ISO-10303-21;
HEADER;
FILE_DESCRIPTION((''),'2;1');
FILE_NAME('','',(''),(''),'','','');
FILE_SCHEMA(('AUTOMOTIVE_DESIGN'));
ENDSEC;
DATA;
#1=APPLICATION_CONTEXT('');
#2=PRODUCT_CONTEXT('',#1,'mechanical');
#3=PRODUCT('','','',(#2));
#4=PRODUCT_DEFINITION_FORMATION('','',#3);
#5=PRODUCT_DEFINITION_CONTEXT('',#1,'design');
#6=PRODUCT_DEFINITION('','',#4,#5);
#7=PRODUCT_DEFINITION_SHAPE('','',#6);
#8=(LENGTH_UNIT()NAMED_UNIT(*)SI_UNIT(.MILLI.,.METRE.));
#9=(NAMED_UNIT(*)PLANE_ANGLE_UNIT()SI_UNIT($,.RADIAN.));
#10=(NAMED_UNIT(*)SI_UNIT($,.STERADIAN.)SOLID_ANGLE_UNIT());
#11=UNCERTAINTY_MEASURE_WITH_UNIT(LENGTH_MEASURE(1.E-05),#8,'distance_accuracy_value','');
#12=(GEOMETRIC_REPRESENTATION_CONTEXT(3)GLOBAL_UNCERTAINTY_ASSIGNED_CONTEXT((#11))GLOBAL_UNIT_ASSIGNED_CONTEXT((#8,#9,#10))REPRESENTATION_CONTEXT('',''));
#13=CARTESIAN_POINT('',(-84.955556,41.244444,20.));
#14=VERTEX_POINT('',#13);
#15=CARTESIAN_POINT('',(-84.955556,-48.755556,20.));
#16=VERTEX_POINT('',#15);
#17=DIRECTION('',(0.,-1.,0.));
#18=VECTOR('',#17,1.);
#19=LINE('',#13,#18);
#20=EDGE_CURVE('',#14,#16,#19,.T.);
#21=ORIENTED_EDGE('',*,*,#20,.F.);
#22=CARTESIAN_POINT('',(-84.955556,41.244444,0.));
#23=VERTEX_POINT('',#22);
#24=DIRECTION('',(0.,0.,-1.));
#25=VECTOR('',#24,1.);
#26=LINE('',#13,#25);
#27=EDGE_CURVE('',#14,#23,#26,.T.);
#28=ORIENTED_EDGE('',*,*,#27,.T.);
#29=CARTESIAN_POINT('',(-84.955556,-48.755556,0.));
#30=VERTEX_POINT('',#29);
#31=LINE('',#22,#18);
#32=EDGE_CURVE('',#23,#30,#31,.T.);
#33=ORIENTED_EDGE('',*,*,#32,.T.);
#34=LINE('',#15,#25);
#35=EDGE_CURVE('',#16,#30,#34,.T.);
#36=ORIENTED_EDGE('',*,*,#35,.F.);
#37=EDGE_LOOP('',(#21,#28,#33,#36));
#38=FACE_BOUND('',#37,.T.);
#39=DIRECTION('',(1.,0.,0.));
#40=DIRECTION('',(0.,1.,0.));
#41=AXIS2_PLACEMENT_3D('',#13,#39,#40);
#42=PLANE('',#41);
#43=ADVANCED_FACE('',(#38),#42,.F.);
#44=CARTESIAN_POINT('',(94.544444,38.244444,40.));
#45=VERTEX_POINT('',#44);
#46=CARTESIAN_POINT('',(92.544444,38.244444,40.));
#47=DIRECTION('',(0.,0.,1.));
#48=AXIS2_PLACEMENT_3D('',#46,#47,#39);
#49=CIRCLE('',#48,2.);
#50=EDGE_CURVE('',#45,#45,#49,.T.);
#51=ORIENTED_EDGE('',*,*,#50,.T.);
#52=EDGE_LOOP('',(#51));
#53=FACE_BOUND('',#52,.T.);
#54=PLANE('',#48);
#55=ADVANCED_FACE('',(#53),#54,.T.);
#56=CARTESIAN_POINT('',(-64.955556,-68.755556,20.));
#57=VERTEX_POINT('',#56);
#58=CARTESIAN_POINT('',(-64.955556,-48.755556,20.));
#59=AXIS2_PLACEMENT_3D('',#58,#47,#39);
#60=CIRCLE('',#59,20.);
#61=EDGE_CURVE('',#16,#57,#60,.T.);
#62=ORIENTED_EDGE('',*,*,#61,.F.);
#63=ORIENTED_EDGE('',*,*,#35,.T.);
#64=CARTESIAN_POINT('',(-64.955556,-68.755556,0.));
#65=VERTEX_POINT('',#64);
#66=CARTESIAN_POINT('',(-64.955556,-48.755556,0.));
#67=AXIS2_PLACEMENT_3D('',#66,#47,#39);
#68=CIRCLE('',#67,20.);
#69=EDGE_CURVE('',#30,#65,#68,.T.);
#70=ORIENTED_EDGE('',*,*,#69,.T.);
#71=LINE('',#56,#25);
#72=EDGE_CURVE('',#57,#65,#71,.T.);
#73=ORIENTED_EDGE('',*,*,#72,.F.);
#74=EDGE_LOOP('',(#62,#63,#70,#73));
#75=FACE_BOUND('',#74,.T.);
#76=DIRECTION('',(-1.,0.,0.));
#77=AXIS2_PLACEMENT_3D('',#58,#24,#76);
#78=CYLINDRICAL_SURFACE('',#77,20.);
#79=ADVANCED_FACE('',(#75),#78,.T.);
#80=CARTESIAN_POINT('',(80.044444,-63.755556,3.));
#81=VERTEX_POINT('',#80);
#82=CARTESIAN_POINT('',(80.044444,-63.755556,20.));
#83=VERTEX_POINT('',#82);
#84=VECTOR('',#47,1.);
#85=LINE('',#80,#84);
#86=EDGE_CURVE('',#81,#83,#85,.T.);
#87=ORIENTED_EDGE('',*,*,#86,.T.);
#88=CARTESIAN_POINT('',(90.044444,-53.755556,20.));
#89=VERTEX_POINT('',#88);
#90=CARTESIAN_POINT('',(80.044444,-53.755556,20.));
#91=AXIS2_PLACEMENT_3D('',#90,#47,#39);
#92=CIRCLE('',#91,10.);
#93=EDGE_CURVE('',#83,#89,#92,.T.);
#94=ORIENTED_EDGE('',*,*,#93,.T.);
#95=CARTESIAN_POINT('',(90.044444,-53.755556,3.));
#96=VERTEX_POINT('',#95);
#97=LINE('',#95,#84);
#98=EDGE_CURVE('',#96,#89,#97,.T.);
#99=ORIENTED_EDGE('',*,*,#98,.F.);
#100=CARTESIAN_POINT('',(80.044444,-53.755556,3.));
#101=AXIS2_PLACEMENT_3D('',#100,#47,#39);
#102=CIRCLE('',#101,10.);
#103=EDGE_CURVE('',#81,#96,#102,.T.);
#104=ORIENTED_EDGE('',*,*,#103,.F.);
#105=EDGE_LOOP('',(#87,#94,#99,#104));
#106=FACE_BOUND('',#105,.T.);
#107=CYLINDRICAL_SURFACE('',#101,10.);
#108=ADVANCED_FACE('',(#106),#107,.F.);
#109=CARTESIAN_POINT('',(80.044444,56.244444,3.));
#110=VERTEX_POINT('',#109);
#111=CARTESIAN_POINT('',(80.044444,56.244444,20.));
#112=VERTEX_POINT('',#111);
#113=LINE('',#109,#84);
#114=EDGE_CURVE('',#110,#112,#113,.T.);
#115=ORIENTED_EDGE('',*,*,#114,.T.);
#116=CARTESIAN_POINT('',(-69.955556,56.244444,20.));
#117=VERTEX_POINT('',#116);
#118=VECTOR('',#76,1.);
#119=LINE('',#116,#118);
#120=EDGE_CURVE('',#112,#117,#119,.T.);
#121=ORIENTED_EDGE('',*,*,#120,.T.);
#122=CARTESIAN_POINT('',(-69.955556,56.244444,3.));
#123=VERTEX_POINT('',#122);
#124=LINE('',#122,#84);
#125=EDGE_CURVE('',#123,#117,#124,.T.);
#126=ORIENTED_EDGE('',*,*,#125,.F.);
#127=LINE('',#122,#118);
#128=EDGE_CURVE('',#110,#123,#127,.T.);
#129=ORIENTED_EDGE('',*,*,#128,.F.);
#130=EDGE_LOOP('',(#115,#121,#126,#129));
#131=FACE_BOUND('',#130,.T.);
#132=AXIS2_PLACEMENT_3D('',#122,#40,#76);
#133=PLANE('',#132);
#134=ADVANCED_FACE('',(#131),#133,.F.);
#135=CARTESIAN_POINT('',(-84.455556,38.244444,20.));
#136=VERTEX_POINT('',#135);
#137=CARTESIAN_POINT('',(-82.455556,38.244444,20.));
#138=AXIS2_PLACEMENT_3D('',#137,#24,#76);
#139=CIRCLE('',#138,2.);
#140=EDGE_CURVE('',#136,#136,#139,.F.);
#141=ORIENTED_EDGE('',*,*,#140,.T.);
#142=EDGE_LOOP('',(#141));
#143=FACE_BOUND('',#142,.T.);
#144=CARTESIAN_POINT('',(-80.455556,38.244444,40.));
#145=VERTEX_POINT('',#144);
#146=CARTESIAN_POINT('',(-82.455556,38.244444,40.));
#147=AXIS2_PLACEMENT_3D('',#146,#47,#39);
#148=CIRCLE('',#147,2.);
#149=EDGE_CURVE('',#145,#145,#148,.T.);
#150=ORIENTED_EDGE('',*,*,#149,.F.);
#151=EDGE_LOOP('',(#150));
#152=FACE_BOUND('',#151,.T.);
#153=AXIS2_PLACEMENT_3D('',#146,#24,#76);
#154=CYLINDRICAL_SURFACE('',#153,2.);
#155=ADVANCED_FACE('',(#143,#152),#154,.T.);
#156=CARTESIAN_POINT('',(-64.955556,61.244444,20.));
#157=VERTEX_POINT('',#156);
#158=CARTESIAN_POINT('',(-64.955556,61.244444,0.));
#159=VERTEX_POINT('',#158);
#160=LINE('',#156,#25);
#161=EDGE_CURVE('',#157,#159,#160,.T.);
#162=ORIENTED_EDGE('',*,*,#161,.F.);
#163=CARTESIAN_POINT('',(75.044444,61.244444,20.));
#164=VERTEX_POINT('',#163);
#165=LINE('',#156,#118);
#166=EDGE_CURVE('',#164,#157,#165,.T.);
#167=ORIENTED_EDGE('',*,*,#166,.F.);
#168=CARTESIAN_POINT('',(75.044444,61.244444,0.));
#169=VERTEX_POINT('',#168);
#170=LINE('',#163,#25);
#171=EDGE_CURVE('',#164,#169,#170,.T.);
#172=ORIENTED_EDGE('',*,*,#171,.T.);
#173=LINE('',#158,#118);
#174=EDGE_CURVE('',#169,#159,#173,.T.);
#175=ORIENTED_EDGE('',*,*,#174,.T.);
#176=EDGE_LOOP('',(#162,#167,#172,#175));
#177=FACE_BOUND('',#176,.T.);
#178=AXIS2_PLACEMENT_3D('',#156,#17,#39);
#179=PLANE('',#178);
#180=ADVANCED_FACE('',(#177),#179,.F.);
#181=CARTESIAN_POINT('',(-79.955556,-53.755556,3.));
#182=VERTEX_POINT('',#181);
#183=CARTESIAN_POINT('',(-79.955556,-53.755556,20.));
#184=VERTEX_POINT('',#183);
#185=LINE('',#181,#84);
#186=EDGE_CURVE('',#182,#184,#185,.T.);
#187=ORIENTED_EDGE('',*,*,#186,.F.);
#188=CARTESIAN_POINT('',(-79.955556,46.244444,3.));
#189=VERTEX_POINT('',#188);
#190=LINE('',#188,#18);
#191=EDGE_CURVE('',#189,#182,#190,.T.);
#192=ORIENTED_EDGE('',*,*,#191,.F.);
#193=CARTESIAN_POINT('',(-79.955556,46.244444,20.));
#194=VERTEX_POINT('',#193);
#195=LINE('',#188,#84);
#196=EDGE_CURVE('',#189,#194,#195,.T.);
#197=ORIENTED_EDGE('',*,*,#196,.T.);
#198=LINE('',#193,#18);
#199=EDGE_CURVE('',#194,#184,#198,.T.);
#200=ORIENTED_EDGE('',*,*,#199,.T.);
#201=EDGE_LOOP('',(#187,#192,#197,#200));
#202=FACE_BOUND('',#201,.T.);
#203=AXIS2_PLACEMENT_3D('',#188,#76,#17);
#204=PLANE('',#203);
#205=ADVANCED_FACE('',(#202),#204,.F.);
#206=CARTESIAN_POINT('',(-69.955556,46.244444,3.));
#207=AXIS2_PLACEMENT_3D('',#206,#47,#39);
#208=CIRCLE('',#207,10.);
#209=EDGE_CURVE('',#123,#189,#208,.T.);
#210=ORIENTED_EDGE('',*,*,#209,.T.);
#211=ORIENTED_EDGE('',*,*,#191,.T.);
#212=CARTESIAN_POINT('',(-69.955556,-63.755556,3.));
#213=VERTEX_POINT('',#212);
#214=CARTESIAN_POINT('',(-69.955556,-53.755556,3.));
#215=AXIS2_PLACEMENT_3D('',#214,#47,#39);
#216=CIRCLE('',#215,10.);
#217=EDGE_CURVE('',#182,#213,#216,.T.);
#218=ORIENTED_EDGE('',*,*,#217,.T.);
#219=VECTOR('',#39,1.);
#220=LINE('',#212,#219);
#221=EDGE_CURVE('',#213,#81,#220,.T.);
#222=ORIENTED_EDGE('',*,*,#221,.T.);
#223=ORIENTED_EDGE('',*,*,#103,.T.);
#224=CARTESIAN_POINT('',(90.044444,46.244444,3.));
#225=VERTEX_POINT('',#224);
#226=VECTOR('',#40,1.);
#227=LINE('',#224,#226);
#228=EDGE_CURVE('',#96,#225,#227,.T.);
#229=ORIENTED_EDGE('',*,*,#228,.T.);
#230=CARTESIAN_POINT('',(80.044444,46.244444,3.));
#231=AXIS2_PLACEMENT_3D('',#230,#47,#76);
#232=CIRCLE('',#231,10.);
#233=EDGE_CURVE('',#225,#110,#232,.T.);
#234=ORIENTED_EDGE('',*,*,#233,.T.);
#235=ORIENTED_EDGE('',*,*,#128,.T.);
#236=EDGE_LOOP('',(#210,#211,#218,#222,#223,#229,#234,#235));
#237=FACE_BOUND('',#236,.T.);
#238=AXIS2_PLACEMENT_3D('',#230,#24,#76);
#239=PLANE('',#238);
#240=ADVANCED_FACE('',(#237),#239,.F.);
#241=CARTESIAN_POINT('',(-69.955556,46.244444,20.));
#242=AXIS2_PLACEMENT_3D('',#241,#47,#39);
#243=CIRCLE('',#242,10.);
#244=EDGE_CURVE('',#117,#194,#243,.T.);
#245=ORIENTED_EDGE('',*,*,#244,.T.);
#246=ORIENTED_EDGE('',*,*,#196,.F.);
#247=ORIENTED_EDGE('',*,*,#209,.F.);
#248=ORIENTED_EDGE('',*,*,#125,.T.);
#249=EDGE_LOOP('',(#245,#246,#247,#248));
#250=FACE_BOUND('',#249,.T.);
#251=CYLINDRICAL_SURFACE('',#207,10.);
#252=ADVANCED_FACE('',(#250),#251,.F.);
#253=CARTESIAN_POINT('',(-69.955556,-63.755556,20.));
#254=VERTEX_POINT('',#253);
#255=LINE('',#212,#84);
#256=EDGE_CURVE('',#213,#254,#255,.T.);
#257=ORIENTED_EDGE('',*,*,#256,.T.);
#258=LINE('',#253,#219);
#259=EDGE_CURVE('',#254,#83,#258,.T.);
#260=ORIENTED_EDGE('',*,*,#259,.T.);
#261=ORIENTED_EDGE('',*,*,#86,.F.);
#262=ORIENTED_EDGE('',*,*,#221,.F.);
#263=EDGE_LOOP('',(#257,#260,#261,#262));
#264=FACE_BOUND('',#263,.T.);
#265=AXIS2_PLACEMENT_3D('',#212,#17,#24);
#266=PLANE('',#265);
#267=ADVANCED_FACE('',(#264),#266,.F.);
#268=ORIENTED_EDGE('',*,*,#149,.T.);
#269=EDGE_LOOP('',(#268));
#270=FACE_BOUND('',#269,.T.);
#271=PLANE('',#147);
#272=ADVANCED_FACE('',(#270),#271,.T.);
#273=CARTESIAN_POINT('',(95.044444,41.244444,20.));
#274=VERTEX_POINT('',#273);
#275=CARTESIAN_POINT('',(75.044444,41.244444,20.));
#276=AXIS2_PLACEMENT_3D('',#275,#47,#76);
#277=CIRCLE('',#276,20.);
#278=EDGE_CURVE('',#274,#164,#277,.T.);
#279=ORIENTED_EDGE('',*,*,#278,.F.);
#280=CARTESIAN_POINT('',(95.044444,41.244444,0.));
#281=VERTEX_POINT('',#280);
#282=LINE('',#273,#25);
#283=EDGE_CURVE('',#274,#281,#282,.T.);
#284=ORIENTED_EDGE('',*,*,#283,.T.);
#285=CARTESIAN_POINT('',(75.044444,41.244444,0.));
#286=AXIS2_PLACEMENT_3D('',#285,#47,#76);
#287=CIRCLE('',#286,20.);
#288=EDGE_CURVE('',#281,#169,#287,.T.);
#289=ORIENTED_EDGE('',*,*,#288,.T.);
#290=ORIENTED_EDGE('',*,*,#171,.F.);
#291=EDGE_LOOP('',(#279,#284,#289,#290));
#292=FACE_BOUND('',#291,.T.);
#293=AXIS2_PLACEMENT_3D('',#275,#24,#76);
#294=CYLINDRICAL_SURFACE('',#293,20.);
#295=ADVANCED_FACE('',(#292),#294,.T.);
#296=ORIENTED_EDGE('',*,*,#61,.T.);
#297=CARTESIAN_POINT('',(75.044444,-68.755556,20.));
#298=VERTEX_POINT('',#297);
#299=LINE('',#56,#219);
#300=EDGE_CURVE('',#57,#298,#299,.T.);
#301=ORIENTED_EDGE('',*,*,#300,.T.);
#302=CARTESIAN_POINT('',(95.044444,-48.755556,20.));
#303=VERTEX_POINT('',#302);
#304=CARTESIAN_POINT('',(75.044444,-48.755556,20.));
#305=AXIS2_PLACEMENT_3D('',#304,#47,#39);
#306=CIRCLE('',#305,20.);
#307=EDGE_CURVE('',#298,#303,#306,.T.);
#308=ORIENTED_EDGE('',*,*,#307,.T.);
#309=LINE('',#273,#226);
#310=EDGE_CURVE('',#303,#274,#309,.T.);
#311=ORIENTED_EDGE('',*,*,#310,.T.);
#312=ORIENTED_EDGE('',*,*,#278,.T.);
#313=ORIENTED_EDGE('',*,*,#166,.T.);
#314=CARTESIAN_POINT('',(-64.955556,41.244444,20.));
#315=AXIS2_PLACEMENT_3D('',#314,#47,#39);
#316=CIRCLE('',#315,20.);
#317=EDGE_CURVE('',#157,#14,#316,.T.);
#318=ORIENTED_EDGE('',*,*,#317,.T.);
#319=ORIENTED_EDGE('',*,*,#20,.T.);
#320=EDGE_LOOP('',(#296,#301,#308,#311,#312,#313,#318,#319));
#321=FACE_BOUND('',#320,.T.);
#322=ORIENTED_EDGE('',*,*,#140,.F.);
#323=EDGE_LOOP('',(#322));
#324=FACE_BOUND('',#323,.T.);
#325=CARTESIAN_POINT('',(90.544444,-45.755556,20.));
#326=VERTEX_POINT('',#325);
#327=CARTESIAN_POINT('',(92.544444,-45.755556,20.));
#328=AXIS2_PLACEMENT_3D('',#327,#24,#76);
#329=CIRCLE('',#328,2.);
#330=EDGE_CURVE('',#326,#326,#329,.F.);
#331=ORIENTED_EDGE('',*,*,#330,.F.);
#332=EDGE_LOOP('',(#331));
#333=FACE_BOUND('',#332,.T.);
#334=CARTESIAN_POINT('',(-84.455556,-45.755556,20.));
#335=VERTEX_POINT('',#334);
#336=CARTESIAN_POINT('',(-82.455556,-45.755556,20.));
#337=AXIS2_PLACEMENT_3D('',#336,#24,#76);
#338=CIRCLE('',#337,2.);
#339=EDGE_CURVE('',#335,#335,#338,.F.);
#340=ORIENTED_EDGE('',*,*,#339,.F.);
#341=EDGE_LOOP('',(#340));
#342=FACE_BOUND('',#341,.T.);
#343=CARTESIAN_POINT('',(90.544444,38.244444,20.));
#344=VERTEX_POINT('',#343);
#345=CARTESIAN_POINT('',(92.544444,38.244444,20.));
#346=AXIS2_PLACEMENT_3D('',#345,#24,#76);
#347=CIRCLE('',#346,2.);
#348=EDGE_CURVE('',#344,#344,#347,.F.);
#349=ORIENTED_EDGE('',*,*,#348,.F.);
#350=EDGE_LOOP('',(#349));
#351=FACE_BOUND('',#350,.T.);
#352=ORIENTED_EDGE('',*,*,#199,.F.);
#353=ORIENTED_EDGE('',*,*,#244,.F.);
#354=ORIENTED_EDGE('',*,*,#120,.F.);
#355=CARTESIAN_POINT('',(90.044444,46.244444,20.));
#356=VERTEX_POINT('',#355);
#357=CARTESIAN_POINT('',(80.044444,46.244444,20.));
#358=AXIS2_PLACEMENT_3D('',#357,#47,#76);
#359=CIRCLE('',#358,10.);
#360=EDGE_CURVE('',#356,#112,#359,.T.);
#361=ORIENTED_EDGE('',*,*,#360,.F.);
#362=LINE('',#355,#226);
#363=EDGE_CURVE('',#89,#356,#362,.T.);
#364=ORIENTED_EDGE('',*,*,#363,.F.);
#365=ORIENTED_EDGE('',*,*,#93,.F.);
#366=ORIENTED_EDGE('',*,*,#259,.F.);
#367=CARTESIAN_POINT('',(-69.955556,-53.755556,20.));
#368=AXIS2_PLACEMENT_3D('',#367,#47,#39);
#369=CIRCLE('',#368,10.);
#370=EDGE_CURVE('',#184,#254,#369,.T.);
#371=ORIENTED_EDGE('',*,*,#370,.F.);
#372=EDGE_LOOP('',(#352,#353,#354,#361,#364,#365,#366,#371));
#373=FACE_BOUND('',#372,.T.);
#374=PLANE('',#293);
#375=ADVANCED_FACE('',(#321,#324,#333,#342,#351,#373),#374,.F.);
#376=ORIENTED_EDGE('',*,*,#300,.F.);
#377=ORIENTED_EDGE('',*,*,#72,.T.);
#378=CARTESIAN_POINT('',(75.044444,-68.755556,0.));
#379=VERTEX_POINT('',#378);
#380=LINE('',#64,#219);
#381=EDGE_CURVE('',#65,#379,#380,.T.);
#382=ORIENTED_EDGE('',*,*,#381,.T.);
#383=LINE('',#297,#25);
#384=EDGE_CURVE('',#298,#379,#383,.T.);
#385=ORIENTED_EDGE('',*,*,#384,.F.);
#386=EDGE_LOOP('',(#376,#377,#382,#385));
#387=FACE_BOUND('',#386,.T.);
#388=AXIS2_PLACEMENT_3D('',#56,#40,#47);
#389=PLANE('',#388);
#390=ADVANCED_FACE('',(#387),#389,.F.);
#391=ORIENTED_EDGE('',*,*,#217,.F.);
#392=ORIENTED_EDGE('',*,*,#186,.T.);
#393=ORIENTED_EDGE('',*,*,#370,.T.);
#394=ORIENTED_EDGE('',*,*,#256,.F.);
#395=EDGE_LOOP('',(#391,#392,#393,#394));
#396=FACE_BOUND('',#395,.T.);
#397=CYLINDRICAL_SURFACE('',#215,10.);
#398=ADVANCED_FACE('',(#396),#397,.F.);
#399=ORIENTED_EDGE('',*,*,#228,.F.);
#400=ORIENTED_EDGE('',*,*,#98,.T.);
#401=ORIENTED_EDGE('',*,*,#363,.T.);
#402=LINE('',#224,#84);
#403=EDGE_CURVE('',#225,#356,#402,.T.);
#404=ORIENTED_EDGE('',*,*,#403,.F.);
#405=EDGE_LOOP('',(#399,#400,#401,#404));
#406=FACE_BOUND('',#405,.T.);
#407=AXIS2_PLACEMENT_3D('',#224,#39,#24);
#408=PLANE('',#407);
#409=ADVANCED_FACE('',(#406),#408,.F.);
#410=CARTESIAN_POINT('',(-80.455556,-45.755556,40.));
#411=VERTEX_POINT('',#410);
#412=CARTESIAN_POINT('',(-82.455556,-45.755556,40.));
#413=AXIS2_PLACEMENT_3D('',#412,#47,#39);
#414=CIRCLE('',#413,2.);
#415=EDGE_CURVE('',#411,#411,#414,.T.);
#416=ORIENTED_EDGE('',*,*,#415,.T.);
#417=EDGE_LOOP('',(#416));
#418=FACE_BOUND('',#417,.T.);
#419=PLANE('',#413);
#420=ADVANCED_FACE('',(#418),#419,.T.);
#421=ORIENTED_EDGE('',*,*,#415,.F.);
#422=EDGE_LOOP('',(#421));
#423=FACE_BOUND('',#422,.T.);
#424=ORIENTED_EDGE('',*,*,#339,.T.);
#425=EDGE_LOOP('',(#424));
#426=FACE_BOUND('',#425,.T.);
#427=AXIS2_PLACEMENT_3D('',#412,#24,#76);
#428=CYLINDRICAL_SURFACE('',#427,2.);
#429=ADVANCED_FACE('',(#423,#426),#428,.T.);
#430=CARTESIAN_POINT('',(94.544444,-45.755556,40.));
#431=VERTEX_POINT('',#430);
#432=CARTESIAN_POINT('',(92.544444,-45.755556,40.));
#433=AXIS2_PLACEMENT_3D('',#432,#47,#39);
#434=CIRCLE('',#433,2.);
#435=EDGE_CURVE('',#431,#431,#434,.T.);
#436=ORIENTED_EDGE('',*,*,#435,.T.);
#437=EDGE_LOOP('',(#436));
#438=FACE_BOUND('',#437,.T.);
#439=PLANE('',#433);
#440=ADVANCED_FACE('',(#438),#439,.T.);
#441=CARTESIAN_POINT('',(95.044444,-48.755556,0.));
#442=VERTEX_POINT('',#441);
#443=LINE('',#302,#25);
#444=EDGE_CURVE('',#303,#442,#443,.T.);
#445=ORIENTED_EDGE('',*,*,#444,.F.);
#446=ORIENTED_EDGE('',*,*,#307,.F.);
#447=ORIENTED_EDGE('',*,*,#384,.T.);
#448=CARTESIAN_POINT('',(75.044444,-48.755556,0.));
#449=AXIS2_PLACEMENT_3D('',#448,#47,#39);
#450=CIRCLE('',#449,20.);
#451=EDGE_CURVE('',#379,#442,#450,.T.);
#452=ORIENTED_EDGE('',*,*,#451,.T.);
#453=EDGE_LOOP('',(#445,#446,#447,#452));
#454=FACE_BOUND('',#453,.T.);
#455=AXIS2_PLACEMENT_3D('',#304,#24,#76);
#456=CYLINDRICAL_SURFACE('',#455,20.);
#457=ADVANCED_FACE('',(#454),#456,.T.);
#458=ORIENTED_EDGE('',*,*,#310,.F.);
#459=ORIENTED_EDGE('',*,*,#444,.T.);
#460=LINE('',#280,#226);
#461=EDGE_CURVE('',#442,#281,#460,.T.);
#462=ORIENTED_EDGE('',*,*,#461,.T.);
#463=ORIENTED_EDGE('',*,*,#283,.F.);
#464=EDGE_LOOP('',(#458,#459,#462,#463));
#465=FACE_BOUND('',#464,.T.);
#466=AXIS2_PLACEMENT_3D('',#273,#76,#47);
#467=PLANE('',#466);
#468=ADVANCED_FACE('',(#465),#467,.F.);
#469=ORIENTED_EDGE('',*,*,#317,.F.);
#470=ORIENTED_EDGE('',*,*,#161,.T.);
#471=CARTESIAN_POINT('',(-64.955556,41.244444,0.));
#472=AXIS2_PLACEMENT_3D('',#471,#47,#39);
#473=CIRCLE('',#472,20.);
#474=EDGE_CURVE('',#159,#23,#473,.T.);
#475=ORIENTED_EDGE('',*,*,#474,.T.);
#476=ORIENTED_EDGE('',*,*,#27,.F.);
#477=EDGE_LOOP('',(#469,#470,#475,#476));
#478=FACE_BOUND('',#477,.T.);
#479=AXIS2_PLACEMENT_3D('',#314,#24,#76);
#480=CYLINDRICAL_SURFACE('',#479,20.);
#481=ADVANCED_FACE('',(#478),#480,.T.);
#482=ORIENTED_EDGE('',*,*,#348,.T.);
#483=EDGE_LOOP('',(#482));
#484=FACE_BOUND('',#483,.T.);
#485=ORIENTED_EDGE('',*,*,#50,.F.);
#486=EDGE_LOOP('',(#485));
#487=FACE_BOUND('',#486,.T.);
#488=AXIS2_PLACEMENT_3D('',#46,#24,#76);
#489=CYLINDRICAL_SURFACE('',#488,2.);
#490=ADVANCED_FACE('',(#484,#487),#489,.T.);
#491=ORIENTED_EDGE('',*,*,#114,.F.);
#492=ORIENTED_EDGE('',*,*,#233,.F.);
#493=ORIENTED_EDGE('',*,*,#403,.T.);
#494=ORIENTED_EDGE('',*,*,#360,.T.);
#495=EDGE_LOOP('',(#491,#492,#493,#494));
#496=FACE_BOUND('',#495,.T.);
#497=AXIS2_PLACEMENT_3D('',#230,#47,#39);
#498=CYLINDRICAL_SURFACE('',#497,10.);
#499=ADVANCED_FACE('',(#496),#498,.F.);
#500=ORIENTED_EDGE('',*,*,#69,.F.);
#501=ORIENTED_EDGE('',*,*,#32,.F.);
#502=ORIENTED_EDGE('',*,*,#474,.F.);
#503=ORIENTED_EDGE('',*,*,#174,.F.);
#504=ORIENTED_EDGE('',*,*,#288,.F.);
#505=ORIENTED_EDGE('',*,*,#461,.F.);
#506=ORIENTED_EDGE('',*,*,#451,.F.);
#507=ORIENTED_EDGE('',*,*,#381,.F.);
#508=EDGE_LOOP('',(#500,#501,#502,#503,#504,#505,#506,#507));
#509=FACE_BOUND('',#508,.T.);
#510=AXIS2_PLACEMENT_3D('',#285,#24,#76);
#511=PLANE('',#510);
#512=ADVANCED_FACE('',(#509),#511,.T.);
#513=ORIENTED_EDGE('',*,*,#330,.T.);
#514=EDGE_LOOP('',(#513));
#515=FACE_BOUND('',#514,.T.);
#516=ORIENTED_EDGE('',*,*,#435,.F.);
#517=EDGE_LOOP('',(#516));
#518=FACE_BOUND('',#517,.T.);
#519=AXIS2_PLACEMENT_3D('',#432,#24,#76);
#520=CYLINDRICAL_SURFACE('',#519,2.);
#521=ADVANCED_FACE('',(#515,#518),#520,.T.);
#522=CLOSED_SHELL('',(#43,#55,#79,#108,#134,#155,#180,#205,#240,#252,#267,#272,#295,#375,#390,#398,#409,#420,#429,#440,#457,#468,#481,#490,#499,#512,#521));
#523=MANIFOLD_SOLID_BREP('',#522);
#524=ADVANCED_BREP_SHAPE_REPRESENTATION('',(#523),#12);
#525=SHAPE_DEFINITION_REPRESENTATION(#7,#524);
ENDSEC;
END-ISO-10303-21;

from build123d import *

# Parameters (mm, degrees)
BOSS_EXTRUDE1_DEPTH = 20
CUT_EXTRUDE1_DEPTH  = 17
SKETCH3_R           = 2
BOSS_EXTRUDE3_DEPTH = 20


with BuildPart() as part:
    # Sketch1 → Boss-Extrude1 (new body)
    with BuildSketch(Plane.XY):
        with BuildLine():
            Line((-64.955555556, 61.244444444), (75.044444444, 61.244444444))
            ThreePointArc((75.044444444, 61.244444444), (89.186580068, 55.386580068), (95.044444444, 41.244444444))
            Line((95.044444444, 41.244444444), (95.044444444, -48.755555556))
            ThreePointArc((95.044444444, -48.755555556), (89.186580068, -62.897691179), (75.044444444, -68.755555556))
            Line((75.044444444, -68.755555556), (-64.955555556, -68.755555556))
            ThreePointArc((-64.955555556, -68.755555556), (-79.097691179, -62.897691179), (-84.955555556, -48.755555556))
            Line((-84.955555556, -48.755555556), (-84.955555556, 41.244444444))
            ThreePointArc((-84.955555556, 41.244444444), (-79.097691179, 55.386580068), (-64.955555556, 61.244444444))
        make_face()
    extrude(amount=BOSS_EXTRUDE1_DEPTH)

    # Sketch2 → Cut-Extrude1 (cut)
    with BuildSketch(Plane.XY.offset(20)):
        with BuildLine():
            Line((-69.955555556, 56.244444444), (80.044444444, 56.244444444))
            ThreePointArc((80.044444444, 56.244444444), (87.115512256, 53.315512256), (90.044444444, 46.244444444))
            Line((90.044444444, 46.244444444), (90.044444444, -53.755555556))
            ThreePointArc((90.044444444, -53.755555556), (87.115512256, -60.826623367), (80.044444444, -63.755555556))
            Line((80.044444444, -63.755555556), (-69.955555556, -63.755555556))
            ThreePointArc((-69.955555556, -63.755555556), (-77.026623367, -60.826623367), (-79.955555556, -53.755555556))
            Line((-79.955555556, -53.755555556), (-79.955555556, 46.244444444))
            ThreePointArc((-79.955555556, 46.244444444), (-77.026623367, 53.315512256), (-69.955555556, 56.244444444))
        make_face()
    extrude(amount=-CUT_EXTRUDE1_DEPTH, mode=Mode.SUBTRACT)

    # Sketch3 → Boss-Extrude3 (add)
    with BuildSketch(Plane.XY.offset(20)):
        with Locations((-82.455555556, 38.244444444)):
            Circle(SKETCH3_R)
        with Locations((-82.455555556, -45.755555556)):
            Circle(SKETCH3_R)
        with Locations((92.544444444, -45.755555556)):
            Circle(SKETCH3_R)
        with Locations((92.544444444, 38.244444444)):
            Circle(SKETCH3_R)
    extrude(amount=BOSS_EXTRUDE3_DEPTH)


solid = part.part
